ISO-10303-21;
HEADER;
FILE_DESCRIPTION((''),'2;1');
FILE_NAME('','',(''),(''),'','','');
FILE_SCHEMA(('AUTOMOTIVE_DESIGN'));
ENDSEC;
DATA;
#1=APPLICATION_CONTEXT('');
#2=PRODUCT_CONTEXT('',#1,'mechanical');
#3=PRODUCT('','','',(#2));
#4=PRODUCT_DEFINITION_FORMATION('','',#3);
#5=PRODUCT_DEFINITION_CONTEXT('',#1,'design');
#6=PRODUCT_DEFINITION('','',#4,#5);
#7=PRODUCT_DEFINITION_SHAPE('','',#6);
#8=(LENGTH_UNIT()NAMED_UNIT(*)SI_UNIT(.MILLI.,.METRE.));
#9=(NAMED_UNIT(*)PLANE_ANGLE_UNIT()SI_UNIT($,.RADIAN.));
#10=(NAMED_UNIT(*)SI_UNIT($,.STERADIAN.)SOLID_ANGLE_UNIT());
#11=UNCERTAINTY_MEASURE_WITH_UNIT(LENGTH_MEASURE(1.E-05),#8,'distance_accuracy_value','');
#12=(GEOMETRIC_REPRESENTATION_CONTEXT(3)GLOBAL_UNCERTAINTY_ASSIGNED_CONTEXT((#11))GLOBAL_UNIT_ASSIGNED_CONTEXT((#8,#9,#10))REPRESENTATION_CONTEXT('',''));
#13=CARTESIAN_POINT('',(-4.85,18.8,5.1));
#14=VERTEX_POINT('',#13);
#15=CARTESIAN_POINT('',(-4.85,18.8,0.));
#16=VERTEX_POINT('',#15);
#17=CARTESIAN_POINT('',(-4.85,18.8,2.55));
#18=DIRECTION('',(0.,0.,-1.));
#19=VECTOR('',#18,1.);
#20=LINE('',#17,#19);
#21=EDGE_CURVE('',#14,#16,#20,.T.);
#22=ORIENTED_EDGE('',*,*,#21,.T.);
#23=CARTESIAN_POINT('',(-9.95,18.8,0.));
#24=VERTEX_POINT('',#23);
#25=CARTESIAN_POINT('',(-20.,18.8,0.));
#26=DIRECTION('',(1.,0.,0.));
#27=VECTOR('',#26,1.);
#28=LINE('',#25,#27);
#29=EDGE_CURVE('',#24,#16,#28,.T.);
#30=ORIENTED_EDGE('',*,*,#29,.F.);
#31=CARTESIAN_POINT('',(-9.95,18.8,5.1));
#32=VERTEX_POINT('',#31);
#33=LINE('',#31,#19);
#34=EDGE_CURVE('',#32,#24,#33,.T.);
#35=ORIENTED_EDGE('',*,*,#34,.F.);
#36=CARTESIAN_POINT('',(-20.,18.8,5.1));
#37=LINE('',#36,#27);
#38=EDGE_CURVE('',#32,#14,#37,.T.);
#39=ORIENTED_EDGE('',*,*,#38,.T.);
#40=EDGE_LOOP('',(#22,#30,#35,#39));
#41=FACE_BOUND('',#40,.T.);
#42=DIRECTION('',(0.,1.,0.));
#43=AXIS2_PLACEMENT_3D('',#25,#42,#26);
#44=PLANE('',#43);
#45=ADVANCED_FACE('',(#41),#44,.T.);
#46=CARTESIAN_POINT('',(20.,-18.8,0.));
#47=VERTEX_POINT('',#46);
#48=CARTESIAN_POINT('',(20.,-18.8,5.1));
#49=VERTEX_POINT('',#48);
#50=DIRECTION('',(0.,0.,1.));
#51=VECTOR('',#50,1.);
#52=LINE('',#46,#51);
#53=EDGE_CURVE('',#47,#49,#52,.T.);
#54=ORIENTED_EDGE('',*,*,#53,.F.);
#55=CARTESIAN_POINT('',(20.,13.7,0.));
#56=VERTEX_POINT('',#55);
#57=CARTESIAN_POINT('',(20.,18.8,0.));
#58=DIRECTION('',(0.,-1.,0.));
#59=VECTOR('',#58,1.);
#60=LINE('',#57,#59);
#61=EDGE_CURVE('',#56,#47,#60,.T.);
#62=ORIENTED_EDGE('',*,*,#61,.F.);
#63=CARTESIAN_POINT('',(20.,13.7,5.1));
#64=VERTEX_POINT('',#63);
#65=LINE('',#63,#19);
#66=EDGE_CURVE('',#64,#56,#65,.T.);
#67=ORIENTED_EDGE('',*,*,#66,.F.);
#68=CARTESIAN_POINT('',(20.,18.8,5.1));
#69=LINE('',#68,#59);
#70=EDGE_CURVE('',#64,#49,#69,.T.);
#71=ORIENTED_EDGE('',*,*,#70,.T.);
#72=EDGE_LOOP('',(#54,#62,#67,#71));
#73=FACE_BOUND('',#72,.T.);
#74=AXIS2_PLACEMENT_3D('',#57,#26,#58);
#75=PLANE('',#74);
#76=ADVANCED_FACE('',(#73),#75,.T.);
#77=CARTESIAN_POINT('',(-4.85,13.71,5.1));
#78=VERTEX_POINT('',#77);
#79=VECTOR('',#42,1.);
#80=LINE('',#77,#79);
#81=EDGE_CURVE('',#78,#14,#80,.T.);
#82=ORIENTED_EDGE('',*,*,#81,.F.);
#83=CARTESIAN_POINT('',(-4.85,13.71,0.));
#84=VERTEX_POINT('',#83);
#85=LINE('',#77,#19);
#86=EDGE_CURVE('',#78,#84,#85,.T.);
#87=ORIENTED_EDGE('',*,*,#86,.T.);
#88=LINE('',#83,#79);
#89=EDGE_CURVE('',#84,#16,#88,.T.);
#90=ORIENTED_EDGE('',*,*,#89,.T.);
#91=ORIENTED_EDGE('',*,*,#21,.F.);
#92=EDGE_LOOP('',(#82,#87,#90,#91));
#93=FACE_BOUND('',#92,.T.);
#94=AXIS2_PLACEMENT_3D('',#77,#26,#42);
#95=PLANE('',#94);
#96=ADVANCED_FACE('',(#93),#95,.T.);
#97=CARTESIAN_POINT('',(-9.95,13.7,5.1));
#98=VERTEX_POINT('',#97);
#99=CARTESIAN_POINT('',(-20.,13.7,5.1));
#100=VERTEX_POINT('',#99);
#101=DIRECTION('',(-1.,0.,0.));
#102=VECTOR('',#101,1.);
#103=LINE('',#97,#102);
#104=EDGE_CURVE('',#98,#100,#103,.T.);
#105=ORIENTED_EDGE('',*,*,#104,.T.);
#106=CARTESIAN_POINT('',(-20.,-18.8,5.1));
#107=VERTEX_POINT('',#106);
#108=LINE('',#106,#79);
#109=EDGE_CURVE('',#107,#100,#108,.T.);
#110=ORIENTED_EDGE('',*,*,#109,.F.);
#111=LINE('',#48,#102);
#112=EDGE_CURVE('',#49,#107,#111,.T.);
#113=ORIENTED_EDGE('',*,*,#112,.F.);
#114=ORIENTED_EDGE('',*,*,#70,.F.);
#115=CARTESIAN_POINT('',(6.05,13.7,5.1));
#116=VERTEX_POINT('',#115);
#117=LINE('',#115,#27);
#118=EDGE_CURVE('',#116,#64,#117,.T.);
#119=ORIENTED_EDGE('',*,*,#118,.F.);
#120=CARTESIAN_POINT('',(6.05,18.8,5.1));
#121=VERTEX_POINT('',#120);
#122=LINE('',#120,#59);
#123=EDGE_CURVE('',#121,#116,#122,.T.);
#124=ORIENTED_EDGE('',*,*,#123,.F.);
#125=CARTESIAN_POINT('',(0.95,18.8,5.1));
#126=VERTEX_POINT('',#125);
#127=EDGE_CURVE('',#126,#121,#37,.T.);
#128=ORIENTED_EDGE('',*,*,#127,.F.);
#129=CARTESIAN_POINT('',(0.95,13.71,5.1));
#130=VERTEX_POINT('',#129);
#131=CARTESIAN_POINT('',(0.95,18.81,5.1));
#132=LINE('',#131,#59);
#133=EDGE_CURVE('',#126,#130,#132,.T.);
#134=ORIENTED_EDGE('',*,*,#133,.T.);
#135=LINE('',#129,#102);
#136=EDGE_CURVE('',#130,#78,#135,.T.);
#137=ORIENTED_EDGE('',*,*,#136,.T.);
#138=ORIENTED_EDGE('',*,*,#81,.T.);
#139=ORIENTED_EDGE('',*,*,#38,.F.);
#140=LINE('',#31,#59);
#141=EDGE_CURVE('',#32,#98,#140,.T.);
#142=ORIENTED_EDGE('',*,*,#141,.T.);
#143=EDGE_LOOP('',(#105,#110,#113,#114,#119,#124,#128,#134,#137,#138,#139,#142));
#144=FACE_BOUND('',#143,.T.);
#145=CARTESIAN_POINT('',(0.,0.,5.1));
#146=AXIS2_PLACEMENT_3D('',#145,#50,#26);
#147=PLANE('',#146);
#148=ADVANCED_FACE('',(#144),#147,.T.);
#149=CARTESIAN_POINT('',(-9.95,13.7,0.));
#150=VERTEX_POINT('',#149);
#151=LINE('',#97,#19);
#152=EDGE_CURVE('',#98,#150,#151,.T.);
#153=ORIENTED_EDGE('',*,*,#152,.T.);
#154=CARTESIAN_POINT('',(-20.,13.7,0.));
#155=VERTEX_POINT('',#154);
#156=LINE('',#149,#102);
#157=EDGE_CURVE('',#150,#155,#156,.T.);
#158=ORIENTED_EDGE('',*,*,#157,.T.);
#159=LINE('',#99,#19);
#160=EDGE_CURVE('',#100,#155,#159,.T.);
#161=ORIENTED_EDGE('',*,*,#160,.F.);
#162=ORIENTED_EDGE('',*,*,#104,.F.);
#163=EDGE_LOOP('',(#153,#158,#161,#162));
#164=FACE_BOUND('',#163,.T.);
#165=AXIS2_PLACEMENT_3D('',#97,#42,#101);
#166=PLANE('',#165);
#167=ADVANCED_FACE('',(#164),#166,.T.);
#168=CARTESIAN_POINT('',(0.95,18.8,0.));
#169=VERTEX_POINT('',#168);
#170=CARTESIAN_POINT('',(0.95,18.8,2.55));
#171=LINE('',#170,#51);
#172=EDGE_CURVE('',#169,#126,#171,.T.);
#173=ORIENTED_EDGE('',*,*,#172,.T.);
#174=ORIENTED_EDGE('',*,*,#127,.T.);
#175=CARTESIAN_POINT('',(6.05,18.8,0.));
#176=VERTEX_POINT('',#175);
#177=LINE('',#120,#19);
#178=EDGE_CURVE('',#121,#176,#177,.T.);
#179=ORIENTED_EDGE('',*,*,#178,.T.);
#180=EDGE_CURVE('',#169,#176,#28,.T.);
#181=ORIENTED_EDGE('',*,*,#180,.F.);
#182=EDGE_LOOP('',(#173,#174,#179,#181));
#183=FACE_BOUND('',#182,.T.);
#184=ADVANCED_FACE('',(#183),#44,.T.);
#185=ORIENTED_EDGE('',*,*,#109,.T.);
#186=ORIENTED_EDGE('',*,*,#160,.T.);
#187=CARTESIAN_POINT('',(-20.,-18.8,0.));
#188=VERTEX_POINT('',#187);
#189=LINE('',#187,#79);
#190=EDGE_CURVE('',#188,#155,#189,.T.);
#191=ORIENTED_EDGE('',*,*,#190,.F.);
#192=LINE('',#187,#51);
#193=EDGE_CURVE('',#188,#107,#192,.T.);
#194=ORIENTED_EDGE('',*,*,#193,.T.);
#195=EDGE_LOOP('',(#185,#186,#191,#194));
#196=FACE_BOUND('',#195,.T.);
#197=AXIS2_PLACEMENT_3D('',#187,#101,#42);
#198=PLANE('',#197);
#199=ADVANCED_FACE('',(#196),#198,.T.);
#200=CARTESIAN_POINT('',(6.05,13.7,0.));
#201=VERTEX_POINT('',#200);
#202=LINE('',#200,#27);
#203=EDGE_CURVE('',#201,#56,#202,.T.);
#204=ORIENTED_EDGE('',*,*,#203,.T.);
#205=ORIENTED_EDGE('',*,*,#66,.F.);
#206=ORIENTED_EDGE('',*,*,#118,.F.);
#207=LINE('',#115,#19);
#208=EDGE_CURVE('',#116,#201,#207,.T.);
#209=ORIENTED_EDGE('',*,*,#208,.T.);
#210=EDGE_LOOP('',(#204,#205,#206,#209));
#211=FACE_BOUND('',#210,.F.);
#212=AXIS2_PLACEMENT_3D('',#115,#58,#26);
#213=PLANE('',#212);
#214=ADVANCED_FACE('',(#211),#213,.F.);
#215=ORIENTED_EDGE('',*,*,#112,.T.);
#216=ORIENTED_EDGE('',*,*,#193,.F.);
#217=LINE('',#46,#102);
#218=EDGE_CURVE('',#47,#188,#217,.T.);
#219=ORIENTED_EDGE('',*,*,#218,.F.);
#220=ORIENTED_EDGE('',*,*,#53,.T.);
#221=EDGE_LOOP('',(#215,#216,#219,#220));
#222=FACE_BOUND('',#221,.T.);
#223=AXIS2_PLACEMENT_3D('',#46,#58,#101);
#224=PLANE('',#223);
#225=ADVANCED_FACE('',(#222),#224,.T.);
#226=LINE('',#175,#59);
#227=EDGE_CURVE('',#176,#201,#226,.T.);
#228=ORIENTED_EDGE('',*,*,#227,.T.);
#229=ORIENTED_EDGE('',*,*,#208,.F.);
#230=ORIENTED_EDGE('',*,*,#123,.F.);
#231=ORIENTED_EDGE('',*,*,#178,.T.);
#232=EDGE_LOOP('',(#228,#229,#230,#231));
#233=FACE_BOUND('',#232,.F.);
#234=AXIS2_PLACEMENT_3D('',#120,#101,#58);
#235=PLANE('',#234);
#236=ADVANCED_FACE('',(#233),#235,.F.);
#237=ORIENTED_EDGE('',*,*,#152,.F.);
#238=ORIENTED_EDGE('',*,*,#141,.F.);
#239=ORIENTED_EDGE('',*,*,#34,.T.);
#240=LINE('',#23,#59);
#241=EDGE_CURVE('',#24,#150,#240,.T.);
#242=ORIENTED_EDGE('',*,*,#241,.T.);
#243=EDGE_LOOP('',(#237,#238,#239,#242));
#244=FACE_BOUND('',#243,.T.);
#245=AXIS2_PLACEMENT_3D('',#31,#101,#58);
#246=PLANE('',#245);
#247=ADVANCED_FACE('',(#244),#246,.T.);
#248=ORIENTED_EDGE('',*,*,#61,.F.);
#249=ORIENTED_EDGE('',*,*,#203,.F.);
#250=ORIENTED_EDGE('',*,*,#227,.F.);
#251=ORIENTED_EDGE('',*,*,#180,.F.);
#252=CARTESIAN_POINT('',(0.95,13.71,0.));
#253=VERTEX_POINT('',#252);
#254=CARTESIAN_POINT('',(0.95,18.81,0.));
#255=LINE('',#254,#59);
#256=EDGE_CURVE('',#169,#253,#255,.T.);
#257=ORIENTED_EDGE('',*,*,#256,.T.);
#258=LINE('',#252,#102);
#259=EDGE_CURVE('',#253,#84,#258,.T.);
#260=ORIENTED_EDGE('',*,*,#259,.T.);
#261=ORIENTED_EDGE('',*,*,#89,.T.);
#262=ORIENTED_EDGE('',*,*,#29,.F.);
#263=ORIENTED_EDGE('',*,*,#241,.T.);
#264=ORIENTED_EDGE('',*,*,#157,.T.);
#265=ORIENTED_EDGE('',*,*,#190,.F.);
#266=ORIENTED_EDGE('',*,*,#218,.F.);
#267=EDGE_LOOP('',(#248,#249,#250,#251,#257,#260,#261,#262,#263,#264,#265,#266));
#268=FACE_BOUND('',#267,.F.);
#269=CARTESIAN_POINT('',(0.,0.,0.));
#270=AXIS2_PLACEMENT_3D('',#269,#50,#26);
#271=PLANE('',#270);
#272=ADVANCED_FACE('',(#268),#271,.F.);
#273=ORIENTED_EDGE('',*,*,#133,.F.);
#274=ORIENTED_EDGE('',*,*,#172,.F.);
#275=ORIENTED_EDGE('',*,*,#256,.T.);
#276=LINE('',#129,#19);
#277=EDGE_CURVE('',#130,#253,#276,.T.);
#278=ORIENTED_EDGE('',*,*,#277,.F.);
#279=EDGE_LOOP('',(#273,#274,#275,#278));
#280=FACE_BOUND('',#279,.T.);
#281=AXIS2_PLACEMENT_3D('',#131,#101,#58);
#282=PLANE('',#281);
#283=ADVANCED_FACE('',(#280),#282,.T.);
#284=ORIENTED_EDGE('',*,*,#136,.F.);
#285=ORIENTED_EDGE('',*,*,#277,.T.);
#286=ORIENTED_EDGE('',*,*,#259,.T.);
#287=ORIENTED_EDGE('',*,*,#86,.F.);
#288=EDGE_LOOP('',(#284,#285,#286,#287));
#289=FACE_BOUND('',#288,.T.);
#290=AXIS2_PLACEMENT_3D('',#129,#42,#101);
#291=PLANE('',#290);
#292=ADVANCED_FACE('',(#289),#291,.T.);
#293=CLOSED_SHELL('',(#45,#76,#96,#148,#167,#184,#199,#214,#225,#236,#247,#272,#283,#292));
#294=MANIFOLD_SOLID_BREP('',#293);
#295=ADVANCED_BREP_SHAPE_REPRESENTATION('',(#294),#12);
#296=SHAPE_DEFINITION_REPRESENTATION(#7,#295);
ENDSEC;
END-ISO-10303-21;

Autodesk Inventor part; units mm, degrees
ref_plane "YZ Plane" through (0, 0, 0) normal (1, 0, 0) x (0, 1, 0)
ref_plane "XZ Plane" through (0, 0, 0) normal (0, 1, 0) x (-1, 0, 0)
ref_plane "XY Plane" through (0, 0, 0) normal (0, 0, 1) x (1, 0, 0)
sketch "Sketch1" plane through (0, 0, 0) normal (0, 0, 1) x (1, 0, 0)
  line L0 (20, -18.8) -> (-20, -18.8)
  line L1 (-20, -18.8) -> (-20, 18.8)
  line L2 (-20, 18.8) -> (20, 18.8)
  line L3 (20, 18.8) -> (20, -18.8)
  line L4 (20, -18.8) -> (-20, 18.8) construction
  line L5 (-20, -18.8) -> (20, 18.8) construction
  point P0 (0, 0)
  dimension "d0" = 40
  dimension "d15" = 37.6
extrude "Extrusion1" add sketch "Sketch1" along normal blind 5.1
sketch "Sketch2" plane through (0, 0, 5.1) normal (0, 0, 1) x (1, 0, 0)
  line L0 (-20, 18.8) -> (-20, -18.8) projected
  line L1 (-20, 18.8) -> (-9.95, 18.8)
  line L2 (-9.95, 18.8) -> (-9.95, 13.7)
  line L3 (-9.95, 13.7) -> (-20, 13.7)
  line L4 (-20, 13.7) -> (-20, 18.8)
  line L5 (-4.85, 18.81) -> (0.95, 18.81)
  line L6 (0.95, 18.81) -> (0.95, 13.71)
  line L7 (0.95, 13.71) -> (-4.85, 13.71)
  line L8 (-4.85, 13.71) -> (-4.85, 18.81)
  line L9 (20, -18.8) -> (20, 18.8) projected
  line L10 (20, 18.8) -> (6.05, 18.8)
  line L11 (6.05, 18.8) -> (6.05, 13.7)
  line L12 (6.05, 13.7) -> (20, 13.7)
  line L13 (20, 13.7) -> (20, 18.8)
  line L14 (0, 0) -> (-4.3616, 0) construction
  point P0 (-20, 13.7)
  point P1 (20, 13.7)
  dimension "d4" = 10.05
  dimension "d5" = 5.1
  dimension "d6" = 5.8
  dimension "d7" = 0.95
  dimension "d8" = 5.1
  dimension "d9" = 13.71
  dimension "d10" = 13.95
extrude "Extrusion2" cut sketch "Sketch2" against normal blind 5.1
properties part number "casterholderA"
